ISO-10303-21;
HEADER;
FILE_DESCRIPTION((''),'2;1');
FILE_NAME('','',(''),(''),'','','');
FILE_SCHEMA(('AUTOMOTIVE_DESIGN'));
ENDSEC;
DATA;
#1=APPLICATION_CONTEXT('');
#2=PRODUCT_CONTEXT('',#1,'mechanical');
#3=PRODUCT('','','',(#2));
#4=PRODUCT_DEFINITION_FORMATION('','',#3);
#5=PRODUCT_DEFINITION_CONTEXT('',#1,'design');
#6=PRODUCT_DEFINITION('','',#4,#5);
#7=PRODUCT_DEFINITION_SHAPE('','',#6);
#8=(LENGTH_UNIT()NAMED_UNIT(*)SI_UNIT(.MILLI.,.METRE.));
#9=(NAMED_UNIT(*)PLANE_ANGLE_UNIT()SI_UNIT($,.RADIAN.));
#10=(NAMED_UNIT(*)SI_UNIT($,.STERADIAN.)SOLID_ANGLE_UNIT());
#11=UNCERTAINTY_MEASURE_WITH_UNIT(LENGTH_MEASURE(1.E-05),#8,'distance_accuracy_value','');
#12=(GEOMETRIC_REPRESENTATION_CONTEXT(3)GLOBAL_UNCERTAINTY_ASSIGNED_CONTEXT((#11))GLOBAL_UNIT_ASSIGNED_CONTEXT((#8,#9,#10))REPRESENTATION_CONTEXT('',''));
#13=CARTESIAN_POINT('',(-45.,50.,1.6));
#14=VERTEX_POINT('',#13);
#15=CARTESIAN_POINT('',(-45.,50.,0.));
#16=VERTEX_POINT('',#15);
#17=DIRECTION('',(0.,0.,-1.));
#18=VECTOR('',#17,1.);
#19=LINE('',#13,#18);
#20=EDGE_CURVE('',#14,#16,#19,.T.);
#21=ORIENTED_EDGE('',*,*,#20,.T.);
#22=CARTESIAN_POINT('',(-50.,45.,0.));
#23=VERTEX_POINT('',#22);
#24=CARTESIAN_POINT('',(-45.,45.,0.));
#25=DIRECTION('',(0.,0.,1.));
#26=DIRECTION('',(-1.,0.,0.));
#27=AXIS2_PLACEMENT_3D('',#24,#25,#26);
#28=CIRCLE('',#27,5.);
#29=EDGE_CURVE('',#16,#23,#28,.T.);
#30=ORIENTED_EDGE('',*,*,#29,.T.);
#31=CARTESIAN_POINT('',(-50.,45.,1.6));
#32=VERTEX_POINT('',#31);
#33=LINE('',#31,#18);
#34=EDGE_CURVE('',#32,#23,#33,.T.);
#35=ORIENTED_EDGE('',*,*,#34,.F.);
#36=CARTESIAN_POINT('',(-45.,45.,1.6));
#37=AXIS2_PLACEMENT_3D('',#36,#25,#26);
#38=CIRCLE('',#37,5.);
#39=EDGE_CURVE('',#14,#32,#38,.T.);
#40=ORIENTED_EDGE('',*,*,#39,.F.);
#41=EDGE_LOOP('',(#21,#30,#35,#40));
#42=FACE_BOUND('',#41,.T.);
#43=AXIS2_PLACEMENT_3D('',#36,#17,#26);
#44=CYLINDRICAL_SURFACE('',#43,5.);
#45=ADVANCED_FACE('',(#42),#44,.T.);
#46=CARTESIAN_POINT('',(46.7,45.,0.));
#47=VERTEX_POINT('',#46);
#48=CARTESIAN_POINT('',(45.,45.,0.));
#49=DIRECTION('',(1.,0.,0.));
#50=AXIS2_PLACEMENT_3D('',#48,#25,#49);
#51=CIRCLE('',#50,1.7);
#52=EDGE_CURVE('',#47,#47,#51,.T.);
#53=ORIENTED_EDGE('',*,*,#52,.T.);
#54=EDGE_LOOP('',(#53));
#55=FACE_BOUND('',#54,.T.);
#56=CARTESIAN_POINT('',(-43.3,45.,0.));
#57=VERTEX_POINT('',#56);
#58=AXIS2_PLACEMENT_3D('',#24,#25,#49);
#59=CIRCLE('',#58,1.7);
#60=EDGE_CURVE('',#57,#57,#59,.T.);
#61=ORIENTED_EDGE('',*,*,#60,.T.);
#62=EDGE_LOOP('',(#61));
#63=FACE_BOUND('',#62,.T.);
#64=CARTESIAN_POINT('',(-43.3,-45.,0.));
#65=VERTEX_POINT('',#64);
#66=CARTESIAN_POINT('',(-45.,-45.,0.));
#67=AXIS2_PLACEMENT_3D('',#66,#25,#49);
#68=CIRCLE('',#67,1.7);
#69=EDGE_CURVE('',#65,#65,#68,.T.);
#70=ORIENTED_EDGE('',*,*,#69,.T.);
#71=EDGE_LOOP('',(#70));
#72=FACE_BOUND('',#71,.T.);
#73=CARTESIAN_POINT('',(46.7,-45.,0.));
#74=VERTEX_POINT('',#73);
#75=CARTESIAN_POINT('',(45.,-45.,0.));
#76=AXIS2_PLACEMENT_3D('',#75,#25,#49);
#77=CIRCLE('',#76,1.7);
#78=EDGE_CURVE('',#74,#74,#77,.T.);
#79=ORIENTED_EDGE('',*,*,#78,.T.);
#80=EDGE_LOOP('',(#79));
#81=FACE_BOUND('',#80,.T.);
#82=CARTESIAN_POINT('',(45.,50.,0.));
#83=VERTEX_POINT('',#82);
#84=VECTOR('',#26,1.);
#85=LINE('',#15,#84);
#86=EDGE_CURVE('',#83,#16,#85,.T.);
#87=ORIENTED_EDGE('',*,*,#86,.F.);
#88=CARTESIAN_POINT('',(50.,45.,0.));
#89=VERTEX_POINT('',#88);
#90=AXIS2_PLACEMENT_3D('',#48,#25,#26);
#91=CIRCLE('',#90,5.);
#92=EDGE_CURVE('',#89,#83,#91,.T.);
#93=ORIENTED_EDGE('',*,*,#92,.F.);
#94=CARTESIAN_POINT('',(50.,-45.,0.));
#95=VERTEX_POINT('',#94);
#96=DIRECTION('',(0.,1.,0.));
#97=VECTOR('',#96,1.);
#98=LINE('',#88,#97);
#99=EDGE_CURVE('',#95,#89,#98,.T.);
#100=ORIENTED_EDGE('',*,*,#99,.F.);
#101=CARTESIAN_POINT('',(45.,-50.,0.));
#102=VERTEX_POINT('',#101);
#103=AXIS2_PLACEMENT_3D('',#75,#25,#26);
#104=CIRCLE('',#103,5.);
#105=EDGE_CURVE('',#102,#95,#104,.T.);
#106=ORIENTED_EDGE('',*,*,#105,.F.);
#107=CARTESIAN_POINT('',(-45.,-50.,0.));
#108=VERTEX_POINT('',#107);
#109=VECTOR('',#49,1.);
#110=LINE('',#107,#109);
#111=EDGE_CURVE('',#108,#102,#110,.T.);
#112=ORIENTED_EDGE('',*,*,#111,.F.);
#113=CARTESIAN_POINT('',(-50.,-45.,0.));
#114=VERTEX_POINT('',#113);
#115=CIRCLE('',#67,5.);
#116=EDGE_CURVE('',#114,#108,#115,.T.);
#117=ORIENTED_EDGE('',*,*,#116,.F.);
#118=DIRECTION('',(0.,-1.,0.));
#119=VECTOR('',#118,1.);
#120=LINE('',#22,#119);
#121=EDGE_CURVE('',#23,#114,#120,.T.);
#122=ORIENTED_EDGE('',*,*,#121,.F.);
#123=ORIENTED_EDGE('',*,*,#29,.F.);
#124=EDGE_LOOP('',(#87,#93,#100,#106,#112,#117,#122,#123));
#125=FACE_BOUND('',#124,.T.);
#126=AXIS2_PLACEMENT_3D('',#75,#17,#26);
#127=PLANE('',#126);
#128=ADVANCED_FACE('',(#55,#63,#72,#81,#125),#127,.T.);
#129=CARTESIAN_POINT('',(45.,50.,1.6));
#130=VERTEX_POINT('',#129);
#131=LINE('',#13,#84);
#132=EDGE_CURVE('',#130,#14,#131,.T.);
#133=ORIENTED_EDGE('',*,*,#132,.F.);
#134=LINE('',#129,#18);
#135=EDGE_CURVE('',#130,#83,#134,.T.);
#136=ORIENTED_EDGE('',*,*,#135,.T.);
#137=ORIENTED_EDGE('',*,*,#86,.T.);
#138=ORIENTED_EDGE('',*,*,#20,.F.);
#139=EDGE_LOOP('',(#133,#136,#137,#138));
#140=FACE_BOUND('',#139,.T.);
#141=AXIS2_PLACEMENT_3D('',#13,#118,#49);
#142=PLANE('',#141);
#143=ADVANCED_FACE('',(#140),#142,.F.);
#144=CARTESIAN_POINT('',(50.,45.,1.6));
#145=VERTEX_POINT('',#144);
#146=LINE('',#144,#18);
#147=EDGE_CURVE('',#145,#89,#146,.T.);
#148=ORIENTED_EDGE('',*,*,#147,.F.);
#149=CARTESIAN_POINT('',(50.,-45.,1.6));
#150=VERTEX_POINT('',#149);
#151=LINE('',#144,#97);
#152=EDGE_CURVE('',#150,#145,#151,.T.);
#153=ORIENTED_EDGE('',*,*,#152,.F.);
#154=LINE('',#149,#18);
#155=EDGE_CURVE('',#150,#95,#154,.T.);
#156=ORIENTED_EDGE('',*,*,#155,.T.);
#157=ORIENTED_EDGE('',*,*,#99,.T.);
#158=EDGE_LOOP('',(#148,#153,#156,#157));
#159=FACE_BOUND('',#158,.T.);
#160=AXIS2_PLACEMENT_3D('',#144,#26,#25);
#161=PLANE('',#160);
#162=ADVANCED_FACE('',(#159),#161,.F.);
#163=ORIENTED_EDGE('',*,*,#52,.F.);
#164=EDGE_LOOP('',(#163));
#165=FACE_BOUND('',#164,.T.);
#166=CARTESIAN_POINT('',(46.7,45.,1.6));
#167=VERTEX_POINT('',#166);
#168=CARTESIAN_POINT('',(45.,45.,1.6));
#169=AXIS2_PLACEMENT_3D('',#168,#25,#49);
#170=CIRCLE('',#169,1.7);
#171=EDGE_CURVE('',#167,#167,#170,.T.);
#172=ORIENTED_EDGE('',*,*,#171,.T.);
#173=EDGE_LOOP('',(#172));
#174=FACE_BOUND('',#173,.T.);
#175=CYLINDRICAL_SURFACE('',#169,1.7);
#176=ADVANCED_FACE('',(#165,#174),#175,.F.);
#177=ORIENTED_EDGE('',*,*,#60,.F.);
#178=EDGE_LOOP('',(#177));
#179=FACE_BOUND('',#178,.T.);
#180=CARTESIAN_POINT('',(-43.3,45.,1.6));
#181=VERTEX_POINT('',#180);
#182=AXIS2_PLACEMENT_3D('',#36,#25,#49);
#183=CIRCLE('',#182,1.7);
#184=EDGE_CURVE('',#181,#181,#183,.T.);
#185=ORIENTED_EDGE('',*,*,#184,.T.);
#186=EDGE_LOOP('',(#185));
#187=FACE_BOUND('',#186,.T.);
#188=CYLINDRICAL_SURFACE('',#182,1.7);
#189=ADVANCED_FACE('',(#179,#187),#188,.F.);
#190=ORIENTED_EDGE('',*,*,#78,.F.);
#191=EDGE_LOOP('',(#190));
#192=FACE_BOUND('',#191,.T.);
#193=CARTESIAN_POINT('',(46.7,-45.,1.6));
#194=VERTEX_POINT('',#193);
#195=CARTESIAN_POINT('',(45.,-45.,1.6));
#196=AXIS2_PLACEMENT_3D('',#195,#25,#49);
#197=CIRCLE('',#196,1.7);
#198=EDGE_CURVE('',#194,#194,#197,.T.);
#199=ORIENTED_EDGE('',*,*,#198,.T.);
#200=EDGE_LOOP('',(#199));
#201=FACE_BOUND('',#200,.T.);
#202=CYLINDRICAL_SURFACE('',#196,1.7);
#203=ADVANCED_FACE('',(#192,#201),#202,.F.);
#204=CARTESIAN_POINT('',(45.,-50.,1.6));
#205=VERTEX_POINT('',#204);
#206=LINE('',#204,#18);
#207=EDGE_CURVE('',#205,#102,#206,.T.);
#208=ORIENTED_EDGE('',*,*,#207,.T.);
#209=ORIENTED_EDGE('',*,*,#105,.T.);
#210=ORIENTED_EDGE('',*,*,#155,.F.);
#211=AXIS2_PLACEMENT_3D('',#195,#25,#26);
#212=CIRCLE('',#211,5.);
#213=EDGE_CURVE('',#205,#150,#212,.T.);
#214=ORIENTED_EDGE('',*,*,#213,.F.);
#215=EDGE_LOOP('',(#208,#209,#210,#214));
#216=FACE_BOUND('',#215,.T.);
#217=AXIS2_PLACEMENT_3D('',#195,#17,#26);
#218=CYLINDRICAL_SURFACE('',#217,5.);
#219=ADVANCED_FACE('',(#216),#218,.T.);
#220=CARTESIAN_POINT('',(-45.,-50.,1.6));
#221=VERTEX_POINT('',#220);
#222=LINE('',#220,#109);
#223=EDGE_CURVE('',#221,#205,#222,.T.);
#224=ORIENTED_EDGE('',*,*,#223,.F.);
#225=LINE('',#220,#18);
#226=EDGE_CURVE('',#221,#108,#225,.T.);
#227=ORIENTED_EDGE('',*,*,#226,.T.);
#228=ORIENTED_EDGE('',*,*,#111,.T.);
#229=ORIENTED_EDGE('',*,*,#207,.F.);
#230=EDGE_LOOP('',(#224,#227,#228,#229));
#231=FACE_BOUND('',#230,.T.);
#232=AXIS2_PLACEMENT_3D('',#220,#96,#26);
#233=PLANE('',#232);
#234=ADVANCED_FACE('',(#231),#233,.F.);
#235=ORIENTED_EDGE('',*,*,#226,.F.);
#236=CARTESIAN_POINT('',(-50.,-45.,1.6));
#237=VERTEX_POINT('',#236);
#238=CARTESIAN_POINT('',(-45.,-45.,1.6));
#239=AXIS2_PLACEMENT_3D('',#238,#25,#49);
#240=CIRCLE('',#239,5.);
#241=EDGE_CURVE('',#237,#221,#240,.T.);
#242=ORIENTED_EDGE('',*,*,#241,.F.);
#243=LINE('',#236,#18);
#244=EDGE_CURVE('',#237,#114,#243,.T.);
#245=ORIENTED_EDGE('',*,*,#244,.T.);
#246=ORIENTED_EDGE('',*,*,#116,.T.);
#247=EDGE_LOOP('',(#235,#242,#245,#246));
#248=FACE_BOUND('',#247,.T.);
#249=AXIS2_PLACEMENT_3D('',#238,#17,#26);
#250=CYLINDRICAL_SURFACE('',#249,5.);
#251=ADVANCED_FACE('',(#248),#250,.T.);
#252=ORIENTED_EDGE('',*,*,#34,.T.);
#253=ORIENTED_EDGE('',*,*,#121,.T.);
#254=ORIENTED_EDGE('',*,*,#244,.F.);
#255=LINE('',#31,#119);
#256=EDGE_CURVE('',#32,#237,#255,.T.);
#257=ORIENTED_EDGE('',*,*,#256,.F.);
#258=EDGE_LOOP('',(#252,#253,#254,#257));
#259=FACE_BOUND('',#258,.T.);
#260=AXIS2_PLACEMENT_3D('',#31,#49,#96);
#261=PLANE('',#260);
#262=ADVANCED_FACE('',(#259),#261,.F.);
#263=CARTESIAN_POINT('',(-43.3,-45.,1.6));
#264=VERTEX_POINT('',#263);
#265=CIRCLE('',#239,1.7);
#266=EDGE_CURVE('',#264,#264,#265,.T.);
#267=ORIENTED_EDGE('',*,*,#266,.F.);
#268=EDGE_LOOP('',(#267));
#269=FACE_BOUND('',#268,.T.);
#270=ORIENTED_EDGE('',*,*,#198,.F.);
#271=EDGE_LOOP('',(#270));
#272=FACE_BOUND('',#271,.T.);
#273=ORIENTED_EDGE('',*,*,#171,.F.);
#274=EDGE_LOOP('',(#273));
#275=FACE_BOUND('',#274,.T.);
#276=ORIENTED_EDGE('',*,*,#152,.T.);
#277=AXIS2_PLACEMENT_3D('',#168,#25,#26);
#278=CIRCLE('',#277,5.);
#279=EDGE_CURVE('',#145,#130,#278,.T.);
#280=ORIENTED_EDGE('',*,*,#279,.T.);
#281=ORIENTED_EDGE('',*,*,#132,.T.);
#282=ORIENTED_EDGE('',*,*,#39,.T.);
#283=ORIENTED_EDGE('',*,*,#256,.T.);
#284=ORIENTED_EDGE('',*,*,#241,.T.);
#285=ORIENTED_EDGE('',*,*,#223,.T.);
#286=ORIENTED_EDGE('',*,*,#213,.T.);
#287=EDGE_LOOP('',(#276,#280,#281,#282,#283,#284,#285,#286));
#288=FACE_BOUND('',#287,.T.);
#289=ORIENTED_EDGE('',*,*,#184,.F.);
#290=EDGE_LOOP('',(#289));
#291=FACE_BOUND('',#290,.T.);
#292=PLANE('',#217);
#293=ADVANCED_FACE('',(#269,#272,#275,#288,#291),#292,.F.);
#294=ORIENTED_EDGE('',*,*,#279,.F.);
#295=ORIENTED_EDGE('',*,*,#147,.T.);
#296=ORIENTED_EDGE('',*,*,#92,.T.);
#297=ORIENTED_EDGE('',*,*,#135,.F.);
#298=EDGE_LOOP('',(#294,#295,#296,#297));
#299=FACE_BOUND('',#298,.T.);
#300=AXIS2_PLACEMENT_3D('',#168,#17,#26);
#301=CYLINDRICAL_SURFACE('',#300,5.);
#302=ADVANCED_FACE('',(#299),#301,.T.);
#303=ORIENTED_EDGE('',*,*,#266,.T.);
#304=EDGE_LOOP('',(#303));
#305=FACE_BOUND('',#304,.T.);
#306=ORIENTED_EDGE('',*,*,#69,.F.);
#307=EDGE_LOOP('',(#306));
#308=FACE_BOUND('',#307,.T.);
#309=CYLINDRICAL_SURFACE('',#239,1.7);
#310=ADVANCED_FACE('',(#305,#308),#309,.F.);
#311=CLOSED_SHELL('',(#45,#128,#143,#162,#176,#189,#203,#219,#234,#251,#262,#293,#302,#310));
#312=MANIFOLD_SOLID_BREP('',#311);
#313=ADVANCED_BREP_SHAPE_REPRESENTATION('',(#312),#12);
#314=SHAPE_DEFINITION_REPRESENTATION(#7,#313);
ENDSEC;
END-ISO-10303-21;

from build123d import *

# Parameters (mm, degrees)
BOSS_EXTRUDE1_DEPTH  = 1.6
M3_CLEARANCE_HOLE1_D = 3.4


with BuildPart() as part:
    # Sketch2 → Boss-Extrude1 (new body)
    with BuildSketch(Plane.XY):
        with BuildLine():
            Line((-45, 50), (45, 50))
            ThreePointArc((45, 50), (48.535533906, 48.535533906), (50, 45))
            Line((50, 45), (50, -45))
            ThreePointArc((50, -45), (48.535533906, -48.535533906), (45, -50))
            Line((45, -50), (-45, -50))
            ThreePointArc((-45, -50), (-48.535533906, -48.535533906), (-50, -45))
            Line((-50, -45), (-50, 45))
            ThreePointArc((-50, 45), (-48.535533906, 48.535533906), (-45, 50))
        make_face()
    extrude(amount=BOSS_EXTRUDE1_DEPTH)

    # M3 Clearance Hole1 (through all)
    with Locations(Plane.XY.offset(1.6)):
        with Locations((45, 45), (-45, 45), (-45, -45), (45, -45)):
            Hole(M3_CLEARANCE_HOLE1_D / 2)


solid = part.part
